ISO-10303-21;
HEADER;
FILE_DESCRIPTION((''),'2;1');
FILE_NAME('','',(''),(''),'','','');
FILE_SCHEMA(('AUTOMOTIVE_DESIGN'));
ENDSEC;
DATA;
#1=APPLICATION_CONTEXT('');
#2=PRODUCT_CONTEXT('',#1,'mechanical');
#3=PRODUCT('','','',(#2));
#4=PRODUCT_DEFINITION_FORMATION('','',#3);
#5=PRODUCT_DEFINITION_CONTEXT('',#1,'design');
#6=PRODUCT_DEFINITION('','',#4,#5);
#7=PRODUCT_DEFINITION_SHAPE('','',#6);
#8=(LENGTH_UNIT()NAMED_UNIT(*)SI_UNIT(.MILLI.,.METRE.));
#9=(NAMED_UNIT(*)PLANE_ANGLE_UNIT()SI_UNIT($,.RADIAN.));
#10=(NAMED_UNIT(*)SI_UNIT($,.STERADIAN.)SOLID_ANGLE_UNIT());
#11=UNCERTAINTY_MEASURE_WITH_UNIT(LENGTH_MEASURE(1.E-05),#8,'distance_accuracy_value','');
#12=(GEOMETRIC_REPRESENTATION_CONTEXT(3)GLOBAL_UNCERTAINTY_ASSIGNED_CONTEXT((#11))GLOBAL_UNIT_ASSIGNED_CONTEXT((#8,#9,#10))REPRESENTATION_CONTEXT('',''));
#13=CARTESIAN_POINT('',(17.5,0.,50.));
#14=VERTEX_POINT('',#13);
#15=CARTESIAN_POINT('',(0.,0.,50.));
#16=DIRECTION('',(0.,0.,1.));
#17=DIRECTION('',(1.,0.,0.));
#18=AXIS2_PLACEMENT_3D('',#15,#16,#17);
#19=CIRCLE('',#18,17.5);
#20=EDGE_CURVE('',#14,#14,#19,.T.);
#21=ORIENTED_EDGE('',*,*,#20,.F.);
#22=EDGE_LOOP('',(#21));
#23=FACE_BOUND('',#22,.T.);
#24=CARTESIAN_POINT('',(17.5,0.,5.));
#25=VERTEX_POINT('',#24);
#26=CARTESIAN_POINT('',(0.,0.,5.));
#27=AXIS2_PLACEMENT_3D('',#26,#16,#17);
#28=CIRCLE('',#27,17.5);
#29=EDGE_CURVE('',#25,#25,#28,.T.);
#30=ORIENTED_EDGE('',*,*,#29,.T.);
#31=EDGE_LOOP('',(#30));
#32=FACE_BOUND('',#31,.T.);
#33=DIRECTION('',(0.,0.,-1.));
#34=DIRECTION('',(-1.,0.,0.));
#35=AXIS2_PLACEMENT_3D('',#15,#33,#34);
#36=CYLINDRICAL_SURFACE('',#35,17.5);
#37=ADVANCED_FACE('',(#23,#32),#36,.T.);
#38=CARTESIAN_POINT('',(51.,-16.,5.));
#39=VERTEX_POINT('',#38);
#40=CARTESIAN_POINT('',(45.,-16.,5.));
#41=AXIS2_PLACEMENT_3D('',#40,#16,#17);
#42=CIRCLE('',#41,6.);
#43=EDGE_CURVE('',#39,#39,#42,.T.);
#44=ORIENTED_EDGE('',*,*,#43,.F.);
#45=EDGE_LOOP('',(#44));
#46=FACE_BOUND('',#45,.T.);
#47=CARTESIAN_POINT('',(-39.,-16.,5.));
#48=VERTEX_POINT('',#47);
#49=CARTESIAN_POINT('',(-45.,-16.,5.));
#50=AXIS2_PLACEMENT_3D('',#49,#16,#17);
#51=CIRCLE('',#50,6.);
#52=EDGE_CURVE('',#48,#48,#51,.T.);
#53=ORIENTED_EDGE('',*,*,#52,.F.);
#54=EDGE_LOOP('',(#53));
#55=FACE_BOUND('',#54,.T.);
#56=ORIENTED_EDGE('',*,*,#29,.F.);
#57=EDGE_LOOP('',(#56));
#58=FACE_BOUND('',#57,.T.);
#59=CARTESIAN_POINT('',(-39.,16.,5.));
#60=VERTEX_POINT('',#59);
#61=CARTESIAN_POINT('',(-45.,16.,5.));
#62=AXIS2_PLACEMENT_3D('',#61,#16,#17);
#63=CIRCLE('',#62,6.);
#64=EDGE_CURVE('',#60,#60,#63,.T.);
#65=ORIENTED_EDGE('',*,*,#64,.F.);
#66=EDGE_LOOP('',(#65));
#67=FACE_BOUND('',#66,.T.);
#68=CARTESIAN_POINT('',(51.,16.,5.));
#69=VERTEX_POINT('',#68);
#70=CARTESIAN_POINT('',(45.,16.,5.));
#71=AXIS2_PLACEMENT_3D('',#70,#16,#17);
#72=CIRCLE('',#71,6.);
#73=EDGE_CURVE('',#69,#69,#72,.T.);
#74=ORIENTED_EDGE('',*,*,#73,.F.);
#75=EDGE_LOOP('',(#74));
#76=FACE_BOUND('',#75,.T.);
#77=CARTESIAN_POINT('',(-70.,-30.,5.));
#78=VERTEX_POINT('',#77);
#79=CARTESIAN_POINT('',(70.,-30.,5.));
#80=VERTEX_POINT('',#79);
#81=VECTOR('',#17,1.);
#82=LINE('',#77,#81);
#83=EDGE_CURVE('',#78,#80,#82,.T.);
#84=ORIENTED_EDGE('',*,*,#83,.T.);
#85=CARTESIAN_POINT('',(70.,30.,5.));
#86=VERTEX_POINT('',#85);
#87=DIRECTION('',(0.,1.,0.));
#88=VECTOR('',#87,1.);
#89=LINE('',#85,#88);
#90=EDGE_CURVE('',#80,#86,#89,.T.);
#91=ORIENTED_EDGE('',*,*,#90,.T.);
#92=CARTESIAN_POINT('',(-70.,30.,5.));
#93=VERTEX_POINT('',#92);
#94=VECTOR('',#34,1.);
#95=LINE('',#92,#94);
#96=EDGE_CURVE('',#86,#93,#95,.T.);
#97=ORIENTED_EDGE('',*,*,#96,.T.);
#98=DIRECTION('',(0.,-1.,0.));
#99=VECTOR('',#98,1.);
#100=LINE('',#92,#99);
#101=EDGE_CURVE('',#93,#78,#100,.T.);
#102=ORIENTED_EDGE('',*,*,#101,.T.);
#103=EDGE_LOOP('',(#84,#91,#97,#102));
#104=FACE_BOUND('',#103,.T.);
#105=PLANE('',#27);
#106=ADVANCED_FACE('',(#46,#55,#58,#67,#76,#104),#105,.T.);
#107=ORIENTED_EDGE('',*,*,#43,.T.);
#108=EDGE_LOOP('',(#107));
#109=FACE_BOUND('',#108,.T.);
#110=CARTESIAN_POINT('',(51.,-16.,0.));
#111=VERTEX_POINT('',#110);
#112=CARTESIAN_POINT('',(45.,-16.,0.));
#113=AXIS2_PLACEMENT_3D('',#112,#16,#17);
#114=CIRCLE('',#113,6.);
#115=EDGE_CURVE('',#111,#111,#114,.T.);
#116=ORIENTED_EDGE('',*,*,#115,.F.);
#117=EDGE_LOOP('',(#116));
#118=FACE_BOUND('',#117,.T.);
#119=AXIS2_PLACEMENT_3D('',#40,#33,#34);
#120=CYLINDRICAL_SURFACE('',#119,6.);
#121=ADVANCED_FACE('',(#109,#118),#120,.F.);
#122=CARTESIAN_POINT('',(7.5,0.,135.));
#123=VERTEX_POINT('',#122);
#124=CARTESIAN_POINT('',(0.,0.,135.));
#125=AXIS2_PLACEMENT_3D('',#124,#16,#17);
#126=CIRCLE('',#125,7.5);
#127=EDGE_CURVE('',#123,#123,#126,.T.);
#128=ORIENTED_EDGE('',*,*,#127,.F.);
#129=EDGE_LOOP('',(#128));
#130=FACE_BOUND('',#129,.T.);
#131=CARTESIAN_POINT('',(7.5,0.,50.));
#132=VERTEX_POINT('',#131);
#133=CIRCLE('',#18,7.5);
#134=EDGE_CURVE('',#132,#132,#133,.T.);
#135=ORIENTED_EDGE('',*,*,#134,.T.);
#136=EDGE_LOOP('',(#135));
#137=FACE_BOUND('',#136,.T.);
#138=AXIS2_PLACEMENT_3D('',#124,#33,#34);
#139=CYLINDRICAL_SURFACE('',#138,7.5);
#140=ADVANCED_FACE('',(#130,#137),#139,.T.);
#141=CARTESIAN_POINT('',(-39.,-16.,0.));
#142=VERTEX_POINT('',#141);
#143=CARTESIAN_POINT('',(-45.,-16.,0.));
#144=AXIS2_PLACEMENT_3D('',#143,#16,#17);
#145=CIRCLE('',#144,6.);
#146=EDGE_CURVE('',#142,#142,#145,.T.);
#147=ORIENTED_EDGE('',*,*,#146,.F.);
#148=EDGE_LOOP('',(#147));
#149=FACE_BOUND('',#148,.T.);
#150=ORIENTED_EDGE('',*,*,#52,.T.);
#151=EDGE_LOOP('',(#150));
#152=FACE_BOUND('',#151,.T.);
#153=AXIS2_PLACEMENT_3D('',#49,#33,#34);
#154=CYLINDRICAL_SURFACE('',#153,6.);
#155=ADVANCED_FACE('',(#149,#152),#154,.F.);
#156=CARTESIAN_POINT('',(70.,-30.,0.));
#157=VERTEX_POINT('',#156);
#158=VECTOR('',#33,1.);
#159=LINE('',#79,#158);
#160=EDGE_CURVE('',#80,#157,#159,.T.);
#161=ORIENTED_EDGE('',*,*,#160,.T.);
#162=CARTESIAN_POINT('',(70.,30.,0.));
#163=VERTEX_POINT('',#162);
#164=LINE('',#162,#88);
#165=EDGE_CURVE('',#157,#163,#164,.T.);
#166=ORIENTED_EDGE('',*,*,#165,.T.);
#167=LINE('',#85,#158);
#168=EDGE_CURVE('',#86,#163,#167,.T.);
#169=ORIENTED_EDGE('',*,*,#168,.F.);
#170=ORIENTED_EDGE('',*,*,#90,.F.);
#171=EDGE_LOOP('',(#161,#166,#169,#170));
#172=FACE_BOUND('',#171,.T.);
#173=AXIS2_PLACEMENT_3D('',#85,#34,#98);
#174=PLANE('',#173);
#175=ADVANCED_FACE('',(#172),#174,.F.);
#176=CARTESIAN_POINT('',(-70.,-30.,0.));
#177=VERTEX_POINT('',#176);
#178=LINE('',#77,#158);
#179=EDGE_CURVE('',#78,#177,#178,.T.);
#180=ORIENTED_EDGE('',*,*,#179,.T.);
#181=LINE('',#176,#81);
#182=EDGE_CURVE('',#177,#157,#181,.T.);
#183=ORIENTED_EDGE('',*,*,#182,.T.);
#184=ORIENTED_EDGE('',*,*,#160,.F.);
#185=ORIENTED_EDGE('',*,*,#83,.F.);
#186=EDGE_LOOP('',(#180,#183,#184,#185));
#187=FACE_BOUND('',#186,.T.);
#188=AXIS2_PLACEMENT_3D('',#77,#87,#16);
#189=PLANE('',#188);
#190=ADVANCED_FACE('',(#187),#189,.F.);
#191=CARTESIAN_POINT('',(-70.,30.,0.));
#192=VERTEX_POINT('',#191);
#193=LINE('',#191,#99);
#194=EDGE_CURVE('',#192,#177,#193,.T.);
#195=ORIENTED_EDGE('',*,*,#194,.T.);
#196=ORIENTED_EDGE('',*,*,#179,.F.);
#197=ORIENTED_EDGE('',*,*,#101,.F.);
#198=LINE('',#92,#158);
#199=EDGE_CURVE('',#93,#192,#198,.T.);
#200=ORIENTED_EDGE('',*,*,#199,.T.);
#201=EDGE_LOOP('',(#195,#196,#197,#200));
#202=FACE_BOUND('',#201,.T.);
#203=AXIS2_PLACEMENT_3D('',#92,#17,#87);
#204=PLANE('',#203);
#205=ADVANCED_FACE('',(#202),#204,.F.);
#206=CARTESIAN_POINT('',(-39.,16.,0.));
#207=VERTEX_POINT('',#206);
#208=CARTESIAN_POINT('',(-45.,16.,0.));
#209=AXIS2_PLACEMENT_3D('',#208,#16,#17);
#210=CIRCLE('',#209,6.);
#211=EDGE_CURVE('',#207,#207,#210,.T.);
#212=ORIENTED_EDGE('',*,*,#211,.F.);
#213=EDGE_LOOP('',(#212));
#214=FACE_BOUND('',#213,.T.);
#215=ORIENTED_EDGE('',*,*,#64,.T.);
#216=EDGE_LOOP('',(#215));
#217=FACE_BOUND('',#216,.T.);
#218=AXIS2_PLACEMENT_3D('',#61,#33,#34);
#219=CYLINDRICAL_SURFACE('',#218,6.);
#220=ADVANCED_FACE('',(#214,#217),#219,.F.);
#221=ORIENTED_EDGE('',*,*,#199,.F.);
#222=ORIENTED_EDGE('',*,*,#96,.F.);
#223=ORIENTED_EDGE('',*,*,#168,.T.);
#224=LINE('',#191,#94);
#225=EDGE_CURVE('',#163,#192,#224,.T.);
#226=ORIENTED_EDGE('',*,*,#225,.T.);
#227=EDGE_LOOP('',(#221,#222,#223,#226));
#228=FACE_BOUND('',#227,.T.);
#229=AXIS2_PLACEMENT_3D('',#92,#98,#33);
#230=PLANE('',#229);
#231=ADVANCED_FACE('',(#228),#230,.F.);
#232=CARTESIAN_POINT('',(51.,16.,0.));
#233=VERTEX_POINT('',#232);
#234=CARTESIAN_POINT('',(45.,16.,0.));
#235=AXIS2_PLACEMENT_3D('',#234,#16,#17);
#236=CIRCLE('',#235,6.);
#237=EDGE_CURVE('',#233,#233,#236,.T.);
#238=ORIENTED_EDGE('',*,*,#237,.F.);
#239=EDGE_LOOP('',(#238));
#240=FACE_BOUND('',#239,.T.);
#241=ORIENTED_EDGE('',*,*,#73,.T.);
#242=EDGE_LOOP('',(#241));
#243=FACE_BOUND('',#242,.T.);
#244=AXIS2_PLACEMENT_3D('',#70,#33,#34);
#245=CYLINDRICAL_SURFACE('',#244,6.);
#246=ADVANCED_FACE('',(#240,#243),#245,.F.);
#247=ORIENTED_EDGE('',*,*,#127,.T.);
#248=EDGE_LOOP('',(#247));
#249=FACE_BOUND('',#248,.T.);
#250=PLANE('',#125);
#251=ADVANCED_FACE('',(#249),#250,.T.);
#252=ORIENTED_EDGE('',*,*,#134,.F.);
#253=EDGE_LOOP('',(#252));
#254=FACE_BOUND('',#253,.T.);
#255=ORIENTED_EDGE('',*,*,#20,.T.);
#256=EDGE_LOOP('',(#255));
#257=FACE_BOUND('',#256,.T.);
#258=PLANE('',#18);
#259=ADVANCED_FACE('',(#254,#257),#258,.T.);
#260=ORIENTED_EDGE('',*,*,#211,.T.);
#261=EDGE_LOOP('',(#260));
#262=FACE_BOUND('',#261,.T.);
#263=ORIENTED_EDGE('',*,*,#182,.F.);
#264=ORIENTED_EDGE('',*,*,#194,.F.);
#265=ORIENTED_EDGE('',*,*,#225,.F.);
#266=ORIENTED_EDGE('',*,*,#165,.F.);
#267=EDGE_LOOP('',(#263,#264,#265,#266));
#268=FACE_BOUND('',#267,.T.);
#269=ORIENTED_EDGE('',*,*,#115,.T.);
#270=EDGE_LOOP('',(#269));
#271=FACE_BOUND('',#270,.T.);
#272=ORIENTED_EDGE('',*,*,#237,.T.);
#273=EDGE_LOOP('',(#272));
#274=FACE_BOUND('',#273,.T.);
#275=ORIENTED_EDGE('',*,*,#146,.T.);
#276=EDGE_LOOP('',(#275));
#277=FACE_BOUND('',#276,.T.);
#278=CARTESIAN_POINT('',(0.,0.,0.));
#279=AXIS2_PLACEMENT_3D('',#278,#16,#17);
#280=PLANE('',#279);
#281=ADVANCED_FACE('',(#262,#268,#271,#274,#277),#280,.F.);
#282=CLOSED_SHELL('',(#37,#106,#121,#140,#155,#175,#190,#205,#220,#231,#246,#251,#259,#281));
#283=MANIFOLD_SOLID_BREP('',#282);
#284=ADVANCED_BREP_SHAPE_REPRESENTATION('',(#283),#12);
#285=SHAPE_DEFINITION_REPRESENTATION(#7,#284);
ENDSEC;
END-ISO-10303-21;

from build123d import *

# Parameters (mm, degrees)
SKETCH1_W           = 140
SKETCH1_H           = 60
SKETCH1_R           = 6
BOSS_EXTRUDE1_DEPTH = 5
SKETCH2_R           = 17.5
BOSS_EXTRUDE2_DEPTH = 45
SKETCH3_R           = 7.5
BOSS_EXTRUDE3_DEPTH = 85


with BuildPart() as part:
    # Sketch1 → Boss-Extrude1 (new body)
    with BuildSketch(Plane.XY):
        Rectangle(SKETCH1_W, SKETCH1_H)
        with Locations((-45, 16)):
            Circle(SKETCH1_R, mode=Mode.SUBTRACT)
        with Locations((-45, -16)):
            Circle(SKETCH1_R, mode=Mode.SUBTRACT)
        with Locations((45, -16)):
            Circle(SKETCH1_R, mode=Mode.SUBTRACT)
        with Locations((45, 16)):
            Circle(SKETCH1_R, mode=Mode.SUBTRACT)
    extrude(amount=BOSS_EXTRUDE1_DEPTH)

    # Sketch2 → Boss-Extrude2 (add)
    with BuildSketch(Plane.XY.offset(5)):
        Circle(SKETCH2_R)
    extrude(amount=BOSS_EXTRUDE2_DEPTH)

    # Sketch3 → Boss-Extrude3 (add)
    with BuildSketch(Plane.XY.offset(50)):
        Circle(SKETCH3_R)
    extrude(amount=BOSS_EXTRUDE3_DEPTH)


solid = part.part
